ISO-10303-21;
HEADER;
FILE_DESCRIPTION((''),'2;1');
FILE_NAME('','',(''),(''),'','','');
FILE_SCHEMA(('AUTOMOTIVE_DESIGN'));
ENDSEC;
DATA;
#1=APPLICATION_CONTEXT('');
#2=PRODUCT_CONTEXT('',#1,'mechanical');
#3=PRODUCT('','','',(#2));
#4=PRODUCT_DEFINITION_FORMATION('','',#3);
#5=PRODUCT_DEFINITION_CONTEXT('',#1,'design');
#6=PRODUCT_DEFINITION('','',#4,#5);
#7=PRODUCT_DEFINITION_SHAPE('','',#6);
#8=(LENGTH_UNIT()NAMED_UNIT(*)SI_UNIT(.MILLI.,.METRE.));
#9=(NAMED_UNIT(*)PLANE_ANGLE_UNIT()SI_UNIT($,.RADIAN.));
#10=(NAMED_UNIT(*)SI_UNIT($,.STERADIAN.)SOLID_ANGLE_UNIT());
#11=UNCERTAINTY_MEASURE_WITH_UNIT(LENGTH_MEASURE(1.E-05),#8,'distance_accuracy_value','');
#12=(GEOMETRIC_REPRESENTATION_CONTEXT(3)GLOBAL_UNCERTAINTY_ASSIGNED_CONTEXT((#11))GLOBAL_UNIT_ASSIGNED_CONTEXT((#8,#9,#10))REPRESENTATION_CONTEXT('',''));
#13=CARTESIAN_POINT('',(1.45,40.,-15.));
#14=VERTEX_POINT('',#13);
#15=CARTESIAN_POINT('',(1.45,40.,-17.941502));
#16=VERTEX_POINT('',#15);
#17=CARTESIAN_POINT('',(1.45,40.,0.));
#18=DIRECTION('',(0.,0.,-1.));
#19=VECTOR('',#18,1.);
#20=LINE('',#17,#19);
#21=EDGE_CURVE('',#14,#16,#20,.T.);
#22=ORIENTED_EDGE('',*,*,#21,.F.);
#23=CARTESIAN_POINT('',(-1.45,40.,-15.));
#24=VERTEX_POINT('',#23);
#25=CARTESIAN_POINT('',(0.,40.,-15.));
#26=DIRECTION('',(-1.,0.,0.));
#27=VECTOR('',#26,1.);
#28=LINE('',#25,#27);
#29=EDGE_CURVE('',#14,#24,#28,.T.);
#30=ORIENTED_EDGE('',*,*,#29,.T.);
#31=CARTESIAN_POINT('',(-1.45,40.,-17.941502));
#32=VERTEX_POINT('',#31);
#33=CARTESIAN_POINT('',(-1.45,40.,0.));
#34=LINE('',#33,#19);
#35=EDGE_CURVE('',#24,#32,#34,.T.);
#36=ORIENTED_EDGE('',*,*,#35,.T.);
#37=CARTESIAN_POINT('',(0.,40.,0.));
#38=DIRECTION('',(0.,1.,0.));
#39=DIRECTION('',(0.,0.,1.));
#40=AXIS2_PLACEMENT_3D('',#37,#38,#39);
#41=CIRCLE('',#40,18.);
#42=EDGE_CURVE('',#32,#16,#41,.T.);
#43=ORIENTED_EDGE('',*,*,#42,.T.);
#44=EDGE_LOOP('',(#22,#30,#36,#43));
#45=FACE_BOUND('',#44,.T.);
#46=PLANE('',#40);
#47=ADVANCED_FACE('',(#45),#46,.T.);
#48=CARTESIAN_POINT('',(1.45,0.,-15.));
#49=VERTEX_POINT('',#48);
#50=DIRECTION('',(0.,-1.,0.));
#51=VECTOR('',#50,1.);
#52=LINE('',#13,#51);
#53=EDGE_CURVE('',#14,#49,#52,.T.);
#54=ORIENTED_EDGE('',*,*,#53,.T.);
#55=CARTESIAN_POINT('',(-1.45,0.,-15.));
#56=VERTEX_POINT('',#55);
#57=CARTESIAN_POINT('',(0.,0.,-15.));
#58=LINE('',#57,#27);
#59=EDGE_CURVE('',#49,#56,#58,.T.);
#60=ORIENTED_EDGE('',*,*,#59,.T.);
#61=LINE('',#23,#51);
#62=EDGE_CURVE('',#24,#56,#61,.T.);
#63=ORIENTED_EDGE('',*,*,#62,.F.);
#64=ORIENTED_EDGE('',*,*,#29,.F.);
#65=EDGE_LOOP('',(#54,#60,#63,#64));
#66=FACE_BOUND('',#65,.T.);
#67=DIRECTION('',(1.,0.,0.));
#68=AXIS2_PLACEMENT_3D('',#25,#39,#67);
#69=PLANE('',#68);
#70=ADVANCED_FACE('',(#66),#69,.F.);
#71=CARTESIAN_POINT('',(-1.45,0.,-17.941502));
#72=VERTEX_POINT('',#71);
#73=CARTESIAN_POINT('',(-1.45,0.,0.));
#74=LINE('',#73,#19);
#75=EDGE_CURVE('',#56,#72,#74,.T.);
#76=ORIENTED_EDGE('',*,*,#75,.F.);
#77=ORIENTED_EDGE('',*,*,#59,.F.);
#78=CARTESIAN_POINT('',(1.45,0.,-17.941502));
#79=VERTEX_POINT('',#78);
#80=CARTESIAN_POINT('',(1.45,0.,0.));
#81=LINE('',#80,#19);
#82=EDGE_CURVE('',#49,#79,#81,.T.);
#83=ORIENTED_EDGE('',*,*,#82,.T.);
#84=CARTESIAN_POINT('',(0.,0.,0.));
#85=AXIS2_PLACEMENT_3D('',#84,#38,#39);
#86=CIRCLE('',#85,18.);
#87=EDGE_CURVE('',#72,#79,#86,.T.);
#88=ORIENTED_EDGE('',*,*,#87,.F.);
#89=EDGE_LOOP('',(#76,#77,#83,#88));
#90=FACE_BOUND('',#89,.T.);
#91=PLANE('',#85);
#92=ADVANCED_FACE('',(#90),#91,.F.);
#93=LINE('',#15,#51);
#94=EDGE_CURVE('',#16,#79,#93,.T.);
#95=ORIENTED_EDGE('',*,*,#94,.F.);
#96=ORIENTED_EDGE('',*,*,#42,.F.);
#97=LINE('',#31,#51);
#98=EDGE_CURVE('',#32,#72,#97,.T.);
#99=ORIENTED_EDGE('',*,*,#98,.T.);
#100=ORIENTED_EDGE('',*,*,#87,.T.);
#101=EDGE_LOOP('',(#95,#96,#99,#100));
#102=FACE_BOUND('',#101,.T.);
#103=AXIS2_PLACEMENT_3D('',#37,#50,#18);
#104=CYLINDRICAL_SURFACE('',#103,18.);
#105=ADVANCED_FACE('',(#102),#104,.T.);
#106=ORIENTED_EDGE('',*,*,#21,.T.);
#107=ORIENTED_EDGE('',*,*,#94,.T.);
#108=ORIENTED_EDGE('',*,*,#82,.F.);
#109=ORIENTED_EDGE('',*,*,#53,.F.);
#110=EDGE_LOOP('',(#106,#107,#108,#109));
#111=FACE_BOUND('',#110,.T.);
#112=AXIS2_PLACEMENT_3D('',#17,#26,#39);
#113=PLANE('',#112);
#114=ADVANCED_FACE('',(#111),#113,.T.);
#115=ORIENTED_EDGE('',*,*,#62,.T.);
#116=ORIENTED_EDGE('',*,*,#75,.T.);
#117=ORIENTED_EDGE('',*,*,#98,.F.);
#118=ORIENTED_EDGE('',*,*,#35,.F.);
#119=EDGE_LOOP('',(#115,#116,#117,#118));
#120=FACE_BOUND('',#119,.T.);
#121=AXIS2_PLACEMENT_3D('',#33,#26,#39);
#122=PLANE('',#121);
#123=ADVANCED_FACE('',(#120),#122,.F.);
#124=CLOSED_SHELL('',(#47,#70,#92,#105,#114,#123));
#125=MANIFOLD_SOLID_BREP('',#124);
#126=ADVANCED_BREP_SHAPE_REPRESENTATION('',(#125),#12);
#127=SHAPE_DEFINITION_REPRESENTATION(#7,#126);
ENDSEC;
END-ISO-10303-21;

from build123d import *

# Parameters (mm, degrees)
BOSS_EXTRUDE1_DEPTH = 40


with BuildPart() as part:
    # Sketch1 → Boss-Extrude1 (new body)
    with BuildSketch(Plane(origin=(0, 0, 0), x_dir=(1, 0, 0), z_dir=(0, 1, 0))):
        with BuildLine():
            Line((1.45, 17.941502167), (1.45, 15))
            Line((1.45, 15), (-1.45, 15))
            Line((-1.45, 15), (-1.45, 17.941502167))
            ThreePointArc((-1.45, 17.941502167), (-12.204507364, -13.230646243), (18, 0))
            ThreePointArc((18, 0), (13.230646243, 12.204507364), (1.45, 17.941502167))
        make_face()
    extrude(amount=BOSS_EXTRUDE1_DEPTH)


solid = part.part
